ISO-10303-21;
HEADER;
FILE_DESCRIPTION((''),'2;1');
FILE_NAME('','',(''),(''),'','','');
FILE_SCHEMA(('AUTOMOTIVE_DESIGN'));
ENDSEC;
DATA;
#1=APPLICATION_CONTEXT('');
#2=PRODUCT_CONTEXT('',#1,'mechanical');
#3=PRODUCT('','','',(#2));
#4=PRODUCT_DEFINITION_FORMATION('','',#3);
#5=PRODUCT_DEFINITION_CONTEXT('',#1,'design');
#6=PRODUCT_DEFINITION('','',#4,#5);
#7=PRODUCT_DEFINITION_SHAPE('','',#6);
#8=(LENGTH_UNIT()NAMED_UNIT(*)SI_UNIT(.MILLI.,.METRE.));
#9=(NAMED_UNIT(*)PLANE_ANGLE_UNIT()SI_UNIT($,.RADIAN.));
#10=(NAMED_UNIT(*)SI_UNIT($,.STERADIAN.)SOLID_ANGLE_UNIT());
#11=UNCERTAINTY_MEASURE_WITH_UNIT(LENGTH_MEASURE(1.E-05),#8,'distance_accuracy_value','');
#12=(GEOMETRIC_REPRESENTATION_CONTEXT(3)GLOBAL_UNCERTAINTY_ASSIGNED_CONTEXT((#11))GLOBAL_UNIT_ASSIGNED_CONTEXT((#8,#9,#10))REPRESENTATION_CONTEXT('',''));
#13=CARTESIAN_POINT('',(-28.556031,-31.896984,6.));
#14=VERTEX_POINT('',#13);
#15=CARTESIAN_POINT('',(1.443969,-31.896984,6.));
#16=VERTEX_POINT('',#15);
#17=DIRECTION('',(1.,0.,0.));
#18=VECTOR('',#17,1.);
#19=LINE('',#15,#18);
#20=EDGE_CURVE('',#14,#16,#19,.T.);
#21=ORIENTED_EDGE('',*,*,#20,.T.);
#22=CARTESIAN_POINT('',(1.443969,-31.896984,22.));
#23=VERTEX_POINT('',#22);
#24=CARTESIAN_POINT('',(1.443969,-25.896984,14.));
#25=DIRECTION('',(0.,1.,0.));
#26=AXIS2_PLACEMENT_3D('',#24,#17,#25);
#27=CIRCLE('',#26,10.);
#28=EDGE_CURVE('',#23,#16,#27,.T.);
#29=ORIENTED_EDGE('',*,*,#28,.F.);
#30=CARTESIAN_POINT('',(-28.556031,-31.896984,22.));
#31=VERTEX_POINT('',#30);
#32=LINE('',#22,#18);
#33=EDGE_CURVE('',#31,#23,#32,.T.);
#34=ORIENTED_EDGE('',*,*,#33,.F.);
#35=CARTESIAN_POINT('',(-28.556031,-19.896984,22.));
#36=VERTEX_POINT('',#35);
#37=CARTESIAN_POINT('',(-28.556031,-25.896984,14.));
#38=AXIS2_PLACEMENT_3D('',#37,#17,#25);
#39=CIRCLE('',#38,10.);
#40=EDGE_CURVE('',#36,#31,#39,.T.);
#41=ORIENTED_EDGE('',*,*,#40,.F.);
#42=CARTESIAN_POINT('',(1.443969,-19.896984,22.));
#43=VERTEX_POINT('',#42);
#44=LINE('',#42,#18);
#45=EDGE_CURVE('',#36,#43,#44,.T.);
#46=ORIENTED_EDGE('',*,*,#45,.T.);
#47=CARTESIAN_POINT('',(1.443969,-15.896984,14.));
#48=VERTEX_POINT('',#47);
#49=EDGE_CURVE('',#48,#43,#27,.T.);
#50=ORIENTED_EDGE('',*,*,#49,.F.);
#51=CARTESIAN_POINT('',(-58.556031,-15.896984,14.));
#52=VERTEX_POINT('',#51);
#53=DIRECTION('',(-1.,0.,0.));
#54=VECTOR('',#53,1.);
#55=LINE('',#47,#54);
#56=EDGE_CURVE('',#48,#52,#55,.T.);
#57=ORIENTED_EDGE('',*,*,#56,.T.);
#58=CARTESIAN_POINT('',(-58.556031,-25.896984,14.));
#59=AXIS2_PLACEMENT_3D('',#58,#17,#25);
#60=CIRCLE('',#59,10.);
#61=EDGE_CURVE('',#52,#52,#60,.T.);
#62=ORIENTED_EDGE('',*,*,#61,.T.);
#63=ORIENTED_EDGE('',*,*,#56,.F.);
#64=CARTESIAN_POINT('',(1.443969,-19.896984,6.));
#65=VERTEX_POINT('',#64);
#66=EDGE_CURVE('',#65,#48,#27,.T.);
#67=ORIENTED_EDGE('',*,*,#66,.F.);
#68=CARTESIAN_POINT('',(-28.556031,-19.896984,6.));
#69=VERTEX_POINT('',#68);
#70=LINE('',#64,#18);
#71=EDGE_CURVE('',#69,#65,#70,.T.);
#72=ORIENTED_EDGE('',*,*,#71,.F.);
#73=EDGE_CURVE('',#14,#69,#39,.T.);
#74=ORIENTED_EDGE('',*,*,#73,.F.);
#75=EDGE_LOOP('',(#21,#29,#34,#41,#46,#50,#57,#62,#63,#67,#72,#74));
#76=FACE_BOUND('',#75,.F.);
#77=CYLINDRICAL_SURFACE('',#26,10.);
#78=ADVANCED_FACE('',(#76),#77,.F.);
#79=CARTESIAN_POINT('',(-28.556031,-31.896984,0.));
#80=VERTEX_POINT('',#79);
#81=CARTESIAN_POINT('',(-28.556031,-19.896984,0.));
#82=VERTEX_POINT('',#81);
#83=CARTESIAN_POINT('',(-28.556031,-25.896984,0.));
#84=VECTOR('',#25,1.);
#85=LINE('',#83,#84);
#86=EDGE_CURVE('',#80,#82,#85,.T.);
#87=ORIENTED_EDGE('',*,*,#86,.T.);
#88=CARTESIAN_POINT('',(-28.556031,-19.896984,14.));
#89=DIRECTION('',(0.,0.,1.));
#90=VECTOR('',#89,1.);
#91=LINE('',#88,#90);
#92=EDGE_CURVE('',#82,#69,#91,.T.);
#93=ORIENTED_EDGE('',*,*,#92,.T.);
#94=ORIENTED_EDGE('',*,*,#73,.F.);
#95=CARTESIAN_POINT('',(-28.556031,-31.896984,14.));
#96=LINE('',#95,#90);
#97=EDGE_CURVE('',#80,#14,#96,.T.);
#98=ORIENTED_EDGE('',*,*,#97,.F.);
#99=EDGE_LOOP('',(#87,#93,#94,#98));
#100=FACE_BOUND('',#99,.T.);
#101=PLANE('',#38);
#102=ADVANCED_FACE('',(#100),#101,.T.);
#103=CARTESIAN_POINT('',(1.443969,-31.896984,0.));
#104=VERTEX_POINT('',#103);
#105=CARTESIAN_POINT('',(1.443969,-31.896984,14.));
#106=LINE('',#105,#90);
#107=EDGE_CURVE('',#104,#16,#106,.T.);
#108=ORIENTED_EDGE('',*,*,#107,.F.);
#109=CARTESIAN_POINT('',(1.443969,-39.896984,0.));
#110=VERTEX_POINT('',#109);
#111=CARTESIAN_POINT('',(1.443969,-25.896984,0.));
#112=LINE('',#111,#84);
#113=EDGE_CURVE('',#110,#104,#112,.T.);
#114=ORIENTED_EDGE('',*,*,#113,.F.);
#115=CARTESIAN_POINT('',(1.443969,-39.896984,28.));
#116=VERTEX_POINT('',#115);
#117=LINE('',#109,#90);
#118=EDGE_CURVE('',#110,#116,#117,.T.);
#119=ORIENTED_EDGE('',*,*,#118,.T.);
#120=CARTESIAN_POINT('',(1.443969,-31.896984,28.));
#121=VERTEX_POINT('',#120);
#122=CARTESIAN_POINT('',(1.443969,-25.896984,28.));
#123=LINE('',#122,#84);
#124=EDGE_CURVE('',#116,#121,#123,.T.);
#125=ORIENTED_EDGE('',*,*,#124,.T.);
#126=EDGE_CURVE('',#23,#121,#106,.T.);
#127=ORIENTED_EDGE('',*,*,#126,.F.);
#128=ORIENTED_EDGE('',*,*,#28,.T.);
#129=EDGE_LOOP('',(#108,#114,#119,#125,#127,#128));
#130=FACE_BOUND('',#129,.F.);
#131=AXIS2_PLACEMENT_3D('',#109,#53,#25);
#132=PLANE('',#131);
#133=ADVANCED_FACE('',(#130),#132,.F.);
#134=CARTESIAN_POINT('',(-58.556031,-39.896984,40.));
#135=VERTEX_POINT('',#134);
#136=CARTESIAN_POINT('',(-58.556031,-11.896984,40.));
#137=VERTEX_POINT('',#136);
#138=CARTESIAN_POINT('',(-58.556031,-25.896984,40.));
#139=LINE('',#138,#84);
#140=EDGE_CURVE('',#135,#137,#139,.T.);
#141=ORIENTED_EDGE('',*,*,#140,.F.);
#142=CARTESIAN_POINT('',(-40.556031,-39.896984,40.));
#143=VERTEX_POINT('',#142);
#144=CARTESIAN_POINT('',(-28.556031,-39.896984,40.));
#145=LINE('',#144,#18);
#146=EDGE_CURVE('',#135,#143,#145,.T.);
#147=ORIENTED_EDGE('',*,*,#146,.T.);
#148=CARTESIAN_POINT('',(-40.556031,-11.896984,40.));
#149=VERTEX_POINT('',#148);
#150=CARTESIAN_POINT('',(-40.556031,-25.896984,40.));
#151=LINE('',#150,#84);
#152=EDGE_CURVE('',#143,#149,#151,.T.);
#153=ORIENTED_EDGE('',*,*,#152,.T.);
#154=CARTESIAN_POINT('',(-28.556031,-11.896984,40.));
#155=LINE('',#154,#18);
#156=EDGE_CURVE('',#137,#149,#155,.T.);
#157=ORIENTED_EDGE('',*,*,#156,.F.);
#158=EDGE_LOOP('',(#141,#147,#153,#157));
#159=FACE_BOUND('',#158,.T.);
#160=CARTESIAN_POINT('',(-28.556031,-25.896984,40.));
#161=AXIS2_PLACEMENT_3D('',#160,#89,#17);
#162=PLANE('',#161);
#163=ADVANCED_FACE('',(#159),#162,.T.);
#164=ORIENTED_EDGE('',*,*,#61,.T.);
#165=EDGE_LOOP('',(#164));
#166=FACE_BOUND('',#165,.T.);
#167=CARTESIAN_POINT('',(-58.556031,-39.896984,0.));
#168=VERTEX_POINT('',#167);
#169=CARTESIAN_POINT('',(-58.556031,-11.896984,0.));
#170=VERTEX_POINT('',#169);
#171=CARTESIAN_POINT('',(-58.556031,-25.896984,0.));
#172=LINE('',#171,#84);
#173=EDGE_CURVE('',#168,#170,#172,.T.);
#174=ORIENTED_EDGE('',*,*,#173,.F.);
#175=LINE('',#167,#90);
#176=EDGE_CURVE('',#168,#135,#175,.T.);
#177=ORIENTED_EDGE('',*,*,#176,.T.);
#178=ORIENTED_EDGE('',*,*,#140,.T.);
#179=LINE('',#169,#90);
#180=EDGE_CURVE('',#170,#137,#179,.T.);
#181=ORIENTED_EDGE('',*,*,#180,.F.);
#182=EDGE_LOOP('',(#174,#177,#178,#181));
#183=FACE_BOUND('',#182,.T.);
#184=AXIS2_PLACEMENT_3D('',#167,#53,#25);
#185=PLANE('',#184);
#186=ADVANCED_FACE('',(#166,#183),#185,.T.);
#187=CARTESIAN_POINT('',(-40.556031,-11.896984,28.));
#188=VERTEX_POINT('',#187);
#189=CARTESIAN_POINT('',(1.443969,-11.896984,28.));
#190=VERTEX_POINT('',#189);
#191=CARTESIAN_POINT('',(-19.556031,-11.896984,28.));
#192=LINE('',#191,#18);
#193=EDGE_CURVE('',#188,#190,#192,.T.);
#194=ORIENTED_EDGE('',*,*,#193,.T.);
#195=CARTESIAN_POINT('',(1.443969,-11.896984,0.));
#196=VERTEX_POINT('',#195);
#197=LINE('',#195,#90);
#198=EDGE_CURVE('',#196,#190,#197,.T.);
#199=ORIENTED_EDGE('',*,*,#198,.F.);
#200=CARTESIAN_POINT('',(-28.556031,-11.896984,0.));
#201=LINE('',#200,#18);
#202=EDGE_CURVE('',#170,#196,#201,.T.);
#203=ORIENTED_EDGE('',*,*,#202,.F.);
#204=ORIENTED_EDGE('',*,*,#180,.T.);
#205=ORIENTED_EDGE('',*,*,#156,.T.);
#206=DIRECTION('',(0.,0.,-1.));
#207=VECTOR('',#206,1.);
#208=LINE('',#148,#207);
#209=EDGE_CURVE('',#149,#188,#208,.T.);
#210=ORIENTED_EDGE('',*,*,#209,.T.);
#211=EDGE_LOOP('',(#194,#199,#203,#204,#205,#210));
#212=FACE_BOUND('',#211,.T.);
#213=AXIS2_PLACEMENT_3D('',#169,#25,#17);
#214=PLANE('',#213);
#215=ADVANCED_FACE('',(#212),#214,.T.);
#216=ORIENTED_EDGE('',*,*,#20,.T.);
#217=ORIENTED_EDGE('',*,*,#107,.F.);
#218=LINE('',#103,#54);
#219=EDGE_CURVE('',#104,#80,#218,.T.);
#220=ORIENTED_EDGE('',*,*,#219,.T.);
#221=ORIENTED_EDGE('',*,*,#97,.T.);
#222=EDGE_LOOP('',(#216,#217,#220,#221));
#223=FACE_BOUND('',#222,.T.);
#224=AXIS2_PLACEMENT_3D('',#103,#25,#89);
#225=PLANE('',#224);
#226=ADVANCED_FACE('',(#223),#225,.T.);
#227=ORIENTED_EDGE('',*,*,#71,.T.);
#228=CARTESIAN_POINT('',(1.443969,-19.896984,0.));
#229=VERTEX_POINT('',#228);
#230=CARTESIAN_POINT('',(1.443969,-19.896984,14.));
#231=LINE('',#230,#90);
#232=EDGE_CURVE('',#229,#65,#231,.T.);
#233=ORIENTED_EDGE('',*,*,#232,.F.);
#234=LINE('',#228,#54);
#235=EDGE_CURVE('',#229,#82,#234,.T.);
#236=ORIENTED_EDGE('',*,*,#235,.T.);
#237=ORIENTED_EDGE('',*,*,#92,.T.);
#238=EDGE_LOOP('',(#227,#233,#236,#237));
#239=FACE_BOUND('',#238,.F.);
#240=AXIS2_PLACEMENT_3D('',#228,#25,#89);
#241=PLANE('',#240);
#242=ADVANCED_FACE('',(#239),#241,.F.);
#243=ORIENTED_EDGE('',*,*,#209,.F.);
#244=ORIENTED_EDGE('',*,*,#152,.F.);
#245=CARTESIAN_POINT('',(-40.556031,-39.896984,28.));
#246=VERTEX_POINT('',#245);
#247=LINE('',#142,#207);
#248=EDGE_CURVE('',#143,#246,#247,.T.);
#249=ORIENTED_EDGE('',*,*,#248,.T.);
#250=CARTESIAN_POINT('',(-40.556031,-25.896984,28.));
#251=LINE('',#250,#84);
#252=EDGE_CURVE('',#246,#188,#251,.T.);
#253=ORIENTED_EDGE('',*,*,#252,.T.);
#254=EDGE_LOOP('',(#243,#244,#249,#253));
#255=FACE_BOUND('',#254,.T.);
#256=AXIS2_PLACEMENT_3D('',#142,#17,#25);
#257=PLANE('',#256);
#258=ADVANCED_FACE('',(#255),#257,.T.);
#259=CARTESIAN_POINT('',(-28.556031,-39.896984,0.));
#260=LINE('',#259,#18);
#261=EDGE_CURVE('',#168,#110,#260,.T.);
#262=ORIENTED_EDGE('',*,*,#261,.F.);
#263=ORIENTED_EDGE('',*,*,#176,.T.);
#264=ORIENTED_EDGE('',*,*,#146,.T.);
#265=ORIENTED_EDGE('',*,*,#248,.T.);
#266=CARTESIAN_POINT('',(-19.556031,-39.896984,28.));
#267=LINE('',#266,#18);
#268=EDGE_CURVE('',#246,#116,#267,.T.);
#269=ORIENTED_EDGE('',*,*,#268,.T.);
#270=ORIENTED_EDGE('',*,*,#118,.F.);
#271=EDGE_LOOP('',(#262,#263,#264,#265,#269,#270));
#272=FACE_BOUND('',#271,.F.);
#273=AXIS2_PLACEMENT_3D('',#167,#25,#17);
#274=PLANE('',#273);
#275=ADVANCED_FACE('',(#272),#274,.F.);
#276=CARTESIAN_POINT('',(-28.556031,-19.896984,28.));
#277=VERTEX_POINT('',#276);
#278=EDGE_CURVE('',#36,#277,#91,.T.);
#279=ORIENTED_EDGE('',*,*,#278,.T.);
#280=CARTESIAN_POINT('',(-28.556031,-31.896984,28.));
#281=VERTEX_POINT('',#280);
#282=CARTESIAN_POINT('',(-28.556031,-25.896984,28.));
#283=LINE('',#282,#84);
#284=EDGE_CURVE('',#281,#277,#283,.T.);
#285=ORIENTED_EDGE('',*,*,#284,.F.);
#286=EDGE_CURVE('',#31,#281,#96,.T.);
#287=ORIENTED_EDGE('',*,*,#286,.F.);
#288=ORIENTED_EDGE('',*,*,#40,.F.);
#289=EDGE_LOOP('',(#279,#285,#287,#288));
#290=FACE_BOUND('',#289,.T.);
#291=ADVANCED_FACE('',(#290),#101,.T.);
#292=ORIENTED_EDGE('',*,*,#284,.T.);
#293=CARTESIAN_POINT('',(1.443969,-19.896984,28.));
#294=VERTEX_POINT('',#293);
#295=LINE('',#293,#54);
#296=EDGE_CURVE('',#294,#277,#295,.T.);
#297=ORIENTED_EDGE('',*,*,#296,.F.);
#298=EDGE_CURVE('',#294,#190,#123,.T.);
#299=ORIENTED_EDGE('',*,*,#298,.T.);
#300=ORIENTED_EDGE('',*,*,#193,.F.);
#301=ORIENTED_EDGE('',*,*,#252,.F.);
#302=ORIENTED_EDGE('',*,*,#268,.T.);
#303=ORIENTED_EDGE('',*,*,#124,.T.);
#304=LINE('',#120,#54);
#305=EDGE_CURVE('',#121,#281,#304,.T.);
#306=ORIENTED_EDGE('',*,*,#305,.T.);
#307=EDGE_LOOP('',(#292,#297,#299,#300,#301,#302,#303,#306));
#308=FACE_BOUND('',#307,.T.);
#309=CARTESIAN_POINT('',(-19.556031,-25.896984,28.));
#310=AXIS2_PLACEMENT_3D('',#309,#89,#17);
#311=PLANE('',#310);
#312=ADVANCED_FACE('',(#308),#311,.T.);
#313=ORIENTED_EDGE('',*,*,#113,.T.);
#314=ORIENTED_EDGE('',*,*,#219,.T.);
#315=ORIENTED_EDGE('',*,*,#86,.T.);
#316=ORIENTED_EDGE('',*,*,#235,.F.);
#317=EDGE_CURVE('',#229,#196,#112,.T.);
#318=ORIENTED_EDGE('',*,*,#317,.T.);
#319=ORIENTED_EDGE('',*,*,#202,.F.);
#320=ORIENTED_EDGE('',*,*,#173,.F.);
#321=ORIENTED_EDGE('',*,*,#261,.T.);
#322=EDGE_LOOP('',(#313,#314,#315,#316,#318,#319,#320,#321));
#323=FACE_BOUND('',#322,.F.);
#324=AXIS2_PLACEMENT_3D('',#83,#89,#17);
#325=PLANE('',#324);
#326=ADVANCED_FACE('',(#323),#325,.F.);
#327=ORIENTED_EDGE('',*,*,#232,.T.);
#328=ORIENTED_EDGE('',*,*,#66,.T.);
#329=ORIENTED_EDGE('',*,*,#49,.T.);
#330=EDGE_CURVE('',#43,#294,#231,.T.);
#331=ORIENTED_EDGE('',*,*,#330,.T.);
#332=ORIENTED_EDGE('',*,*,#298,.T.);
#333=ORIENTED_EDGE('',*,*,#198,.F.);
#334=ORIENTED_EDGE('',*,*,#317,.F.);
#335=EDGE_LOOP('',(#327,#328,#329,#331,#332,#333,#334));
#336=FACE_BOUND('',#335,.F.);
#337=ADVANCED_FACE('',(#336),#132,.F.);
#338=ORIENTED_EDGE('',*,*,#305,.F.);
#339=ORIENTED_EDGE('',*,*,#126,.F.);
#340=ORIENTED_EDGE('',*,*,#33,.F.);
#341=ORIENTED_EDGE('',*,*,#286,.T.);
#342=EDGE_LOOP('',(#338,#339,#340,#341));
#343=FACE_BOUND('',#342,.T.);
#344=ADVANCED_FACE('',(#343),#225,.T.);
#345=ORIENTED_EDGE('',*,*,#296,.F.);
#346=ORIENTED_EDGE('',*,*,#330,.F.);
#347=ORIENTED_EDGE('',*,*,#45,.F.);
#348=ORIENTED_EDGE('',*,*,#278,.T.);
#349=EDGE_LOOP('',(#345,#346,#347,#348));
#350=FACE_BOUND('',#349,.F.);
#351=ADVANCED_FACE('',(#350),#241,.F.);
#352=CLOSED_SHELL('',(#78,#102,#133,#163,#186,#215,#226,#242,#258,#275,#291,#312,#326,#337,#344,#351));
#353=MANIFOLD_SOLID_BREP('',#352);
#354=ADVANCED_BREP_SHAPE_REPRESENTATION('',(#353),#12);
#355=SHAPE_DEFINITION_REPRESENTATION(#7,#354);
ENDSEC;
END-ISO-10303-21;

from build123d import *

# Parameters (mm, degrees)
F0_W     = 60
F0_H     = 28
F1_DEPTH = 40
F2_W     = 42
F2_H     = 28
F3_DEPTH = 12
F4_R     = 10
F5_DEPTH = 60
F6_W     = 12
F6_H     = 28
F7_DEPTH = 30


with BuildPart() as f1:
    # F0 (on Top) → F1 (new body)
    with BuildSketch(Plane.XY):
        with Locations((-28.556031, -25.896984)):
            Rectangle(F0_W, F0_H)
    extrude(amount=F1_DEPTH)

    # F2 (on face) → F3 (cut)
    with BuildSketch(Plane.XY.offset(40)):
        with Locations((-19.556031, -25.896984)):
            Rectangle(F2_W, F2_H)
    extrude(amount=-F3_DEPTH, mode=Mode.SUBTRACT)

    # F4 (on face) → F5 (cut)
    with BuildSketch(Plane.YZ.offset(1.443969)):
        with Locations((-25.896984, 14)):
            Circle(F4_R)
    extrude(amount=-F5_DEPTH, mode=Mode.SUBTRACT)

    # F6 (on face) → F7 (cut)
    with BuildSketch(Plane.YZ.offset(1.443969)):
        with Locations((-25.896984, 14)):
            Rectangle(F6_W, F6_H)
    extrude(amount=-F7_DEPTH, mode=Mode.SUBTRACT)


solid = f1.part
